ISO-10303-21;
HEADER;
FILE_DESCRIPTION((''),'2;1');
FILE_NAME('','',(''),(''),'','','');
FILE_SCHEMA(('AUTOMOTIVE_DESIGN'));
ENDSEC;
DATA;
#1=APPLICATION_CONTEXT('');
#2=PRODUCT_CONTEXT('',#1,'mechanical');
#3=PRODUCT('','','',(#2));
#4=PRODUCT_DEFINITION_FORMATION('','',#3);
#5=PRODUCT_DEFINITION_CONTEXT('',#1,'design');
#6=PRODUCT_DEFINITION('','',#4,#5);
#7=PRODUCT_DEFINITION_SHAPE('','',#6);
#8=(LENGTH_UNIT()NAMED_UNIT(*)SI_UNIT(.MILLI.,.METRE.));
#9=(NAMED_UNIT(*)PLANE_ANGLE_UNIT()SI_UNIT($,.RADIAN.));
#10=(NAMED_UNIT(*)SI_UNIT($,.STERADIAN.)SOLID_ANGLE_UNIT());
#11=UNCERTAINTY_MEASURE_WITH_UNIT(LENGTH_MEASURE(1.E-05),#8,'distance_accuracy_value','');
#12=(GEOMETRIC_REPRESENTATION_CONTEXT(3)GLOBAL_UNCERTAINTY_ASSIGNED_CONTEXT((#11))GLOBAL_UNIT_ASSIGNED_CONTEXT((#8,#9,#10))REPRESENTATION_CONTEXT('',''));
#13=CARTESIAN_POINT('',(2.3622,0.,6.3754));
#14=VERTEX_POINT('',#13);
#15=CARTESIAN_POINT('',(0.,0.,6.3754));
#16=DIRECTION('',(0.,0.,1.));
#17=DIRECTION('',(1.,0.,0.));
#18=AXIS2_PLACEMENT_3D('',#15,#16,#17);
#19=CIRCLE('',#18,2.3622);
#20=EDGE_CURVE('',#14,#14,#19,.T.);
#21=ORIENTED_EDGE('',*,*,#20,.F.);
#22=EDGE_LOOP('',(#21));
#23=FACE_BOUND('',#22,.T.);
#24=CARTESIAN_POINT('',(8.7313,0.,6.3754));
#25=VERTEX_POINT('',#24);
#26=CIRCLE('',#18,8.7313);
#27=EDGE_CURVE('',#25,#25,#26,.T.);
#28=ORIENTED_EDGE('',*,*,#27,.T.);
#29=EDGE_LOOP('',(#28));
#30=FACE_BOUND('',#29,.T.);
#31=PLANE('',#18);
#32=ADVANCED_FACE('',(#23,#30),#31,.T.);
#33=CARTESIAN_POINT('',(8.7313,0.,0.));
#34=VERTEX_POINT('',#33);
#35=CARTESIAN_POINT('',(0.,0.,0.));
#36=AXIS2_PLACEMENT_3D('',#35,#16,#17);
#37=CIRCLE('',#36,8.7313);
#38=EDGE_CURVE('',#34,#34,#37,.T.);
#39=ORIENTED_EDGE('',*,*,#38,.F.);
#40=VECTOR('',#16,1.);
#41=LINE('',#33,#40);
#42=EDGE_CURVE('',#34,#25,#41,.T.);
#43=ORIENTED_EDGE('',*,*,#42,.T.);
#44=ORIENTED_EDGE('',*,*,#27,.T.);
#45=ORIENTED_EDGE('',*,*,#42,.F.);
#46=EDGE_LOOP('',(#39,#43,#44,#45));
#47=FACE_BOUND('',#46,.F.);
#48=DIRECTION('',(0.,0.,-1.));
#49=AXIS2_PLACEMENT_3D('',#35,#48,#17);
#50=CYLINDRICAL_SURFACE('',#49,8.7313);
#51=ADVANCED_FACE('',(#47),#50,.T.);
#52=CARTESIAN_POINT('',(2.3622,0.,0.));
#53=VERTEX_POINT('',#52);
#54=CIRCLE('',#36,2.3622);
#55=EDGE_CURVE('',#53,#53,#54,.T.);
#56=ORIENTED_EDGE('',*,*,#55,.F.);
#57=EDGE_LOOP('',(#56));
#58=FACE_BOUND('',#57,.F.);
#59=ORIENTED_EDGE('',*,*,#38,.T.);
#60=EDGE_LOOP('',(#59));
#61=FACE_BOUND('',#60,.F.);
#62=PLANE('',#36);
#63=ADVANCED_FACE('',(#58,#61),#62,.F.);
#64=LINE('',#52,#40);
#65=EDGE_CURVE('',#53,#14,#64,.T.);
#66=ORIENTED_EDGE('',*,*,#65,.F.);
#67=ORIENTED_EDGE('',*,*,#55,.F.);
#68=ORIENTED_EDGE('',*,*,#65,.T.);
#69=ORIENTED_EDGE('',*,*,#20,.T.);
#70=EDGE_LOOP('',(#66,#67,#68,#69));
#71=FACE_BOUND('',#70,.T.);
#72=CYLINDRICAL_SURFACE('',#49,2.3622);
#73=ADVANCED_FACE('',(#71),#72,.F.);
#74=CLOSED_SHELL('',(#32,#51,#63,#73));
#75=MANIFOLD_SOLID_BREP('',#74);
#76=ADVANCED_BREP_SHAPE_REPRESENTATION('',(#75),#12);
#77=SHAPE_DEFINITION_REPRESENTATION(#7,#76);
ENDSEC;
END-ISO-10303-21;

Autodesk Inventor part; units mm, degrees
ref_plane "YZ Plane" through (0, 0, 0) normal (1, 0, 0) x (0, 1, 0)
ref_plane "XZ Plane" through (0, 0, 0) normal (0, 1, 0) x (-1, 0, 0)
ref_plane "XY Plane" through (0, 0, 0) normal (0, 0, 1) x (1, 0, 0)
sketch "Sketch1" plane through (0, 0, 0) normal (0, 0, 1) x (1, 0, 0)
  circle A0 centre (0, 0) radius 2.3622
  circle A1 centre (0, 0) radius 8.7313
  dimension "d0" = 4.7244
  dimension "d1" = 17.4625
extrude "Extrusion1" add sketch "Sketch1" along normal blind 6.3754
properties part number "Ball Bearing"
